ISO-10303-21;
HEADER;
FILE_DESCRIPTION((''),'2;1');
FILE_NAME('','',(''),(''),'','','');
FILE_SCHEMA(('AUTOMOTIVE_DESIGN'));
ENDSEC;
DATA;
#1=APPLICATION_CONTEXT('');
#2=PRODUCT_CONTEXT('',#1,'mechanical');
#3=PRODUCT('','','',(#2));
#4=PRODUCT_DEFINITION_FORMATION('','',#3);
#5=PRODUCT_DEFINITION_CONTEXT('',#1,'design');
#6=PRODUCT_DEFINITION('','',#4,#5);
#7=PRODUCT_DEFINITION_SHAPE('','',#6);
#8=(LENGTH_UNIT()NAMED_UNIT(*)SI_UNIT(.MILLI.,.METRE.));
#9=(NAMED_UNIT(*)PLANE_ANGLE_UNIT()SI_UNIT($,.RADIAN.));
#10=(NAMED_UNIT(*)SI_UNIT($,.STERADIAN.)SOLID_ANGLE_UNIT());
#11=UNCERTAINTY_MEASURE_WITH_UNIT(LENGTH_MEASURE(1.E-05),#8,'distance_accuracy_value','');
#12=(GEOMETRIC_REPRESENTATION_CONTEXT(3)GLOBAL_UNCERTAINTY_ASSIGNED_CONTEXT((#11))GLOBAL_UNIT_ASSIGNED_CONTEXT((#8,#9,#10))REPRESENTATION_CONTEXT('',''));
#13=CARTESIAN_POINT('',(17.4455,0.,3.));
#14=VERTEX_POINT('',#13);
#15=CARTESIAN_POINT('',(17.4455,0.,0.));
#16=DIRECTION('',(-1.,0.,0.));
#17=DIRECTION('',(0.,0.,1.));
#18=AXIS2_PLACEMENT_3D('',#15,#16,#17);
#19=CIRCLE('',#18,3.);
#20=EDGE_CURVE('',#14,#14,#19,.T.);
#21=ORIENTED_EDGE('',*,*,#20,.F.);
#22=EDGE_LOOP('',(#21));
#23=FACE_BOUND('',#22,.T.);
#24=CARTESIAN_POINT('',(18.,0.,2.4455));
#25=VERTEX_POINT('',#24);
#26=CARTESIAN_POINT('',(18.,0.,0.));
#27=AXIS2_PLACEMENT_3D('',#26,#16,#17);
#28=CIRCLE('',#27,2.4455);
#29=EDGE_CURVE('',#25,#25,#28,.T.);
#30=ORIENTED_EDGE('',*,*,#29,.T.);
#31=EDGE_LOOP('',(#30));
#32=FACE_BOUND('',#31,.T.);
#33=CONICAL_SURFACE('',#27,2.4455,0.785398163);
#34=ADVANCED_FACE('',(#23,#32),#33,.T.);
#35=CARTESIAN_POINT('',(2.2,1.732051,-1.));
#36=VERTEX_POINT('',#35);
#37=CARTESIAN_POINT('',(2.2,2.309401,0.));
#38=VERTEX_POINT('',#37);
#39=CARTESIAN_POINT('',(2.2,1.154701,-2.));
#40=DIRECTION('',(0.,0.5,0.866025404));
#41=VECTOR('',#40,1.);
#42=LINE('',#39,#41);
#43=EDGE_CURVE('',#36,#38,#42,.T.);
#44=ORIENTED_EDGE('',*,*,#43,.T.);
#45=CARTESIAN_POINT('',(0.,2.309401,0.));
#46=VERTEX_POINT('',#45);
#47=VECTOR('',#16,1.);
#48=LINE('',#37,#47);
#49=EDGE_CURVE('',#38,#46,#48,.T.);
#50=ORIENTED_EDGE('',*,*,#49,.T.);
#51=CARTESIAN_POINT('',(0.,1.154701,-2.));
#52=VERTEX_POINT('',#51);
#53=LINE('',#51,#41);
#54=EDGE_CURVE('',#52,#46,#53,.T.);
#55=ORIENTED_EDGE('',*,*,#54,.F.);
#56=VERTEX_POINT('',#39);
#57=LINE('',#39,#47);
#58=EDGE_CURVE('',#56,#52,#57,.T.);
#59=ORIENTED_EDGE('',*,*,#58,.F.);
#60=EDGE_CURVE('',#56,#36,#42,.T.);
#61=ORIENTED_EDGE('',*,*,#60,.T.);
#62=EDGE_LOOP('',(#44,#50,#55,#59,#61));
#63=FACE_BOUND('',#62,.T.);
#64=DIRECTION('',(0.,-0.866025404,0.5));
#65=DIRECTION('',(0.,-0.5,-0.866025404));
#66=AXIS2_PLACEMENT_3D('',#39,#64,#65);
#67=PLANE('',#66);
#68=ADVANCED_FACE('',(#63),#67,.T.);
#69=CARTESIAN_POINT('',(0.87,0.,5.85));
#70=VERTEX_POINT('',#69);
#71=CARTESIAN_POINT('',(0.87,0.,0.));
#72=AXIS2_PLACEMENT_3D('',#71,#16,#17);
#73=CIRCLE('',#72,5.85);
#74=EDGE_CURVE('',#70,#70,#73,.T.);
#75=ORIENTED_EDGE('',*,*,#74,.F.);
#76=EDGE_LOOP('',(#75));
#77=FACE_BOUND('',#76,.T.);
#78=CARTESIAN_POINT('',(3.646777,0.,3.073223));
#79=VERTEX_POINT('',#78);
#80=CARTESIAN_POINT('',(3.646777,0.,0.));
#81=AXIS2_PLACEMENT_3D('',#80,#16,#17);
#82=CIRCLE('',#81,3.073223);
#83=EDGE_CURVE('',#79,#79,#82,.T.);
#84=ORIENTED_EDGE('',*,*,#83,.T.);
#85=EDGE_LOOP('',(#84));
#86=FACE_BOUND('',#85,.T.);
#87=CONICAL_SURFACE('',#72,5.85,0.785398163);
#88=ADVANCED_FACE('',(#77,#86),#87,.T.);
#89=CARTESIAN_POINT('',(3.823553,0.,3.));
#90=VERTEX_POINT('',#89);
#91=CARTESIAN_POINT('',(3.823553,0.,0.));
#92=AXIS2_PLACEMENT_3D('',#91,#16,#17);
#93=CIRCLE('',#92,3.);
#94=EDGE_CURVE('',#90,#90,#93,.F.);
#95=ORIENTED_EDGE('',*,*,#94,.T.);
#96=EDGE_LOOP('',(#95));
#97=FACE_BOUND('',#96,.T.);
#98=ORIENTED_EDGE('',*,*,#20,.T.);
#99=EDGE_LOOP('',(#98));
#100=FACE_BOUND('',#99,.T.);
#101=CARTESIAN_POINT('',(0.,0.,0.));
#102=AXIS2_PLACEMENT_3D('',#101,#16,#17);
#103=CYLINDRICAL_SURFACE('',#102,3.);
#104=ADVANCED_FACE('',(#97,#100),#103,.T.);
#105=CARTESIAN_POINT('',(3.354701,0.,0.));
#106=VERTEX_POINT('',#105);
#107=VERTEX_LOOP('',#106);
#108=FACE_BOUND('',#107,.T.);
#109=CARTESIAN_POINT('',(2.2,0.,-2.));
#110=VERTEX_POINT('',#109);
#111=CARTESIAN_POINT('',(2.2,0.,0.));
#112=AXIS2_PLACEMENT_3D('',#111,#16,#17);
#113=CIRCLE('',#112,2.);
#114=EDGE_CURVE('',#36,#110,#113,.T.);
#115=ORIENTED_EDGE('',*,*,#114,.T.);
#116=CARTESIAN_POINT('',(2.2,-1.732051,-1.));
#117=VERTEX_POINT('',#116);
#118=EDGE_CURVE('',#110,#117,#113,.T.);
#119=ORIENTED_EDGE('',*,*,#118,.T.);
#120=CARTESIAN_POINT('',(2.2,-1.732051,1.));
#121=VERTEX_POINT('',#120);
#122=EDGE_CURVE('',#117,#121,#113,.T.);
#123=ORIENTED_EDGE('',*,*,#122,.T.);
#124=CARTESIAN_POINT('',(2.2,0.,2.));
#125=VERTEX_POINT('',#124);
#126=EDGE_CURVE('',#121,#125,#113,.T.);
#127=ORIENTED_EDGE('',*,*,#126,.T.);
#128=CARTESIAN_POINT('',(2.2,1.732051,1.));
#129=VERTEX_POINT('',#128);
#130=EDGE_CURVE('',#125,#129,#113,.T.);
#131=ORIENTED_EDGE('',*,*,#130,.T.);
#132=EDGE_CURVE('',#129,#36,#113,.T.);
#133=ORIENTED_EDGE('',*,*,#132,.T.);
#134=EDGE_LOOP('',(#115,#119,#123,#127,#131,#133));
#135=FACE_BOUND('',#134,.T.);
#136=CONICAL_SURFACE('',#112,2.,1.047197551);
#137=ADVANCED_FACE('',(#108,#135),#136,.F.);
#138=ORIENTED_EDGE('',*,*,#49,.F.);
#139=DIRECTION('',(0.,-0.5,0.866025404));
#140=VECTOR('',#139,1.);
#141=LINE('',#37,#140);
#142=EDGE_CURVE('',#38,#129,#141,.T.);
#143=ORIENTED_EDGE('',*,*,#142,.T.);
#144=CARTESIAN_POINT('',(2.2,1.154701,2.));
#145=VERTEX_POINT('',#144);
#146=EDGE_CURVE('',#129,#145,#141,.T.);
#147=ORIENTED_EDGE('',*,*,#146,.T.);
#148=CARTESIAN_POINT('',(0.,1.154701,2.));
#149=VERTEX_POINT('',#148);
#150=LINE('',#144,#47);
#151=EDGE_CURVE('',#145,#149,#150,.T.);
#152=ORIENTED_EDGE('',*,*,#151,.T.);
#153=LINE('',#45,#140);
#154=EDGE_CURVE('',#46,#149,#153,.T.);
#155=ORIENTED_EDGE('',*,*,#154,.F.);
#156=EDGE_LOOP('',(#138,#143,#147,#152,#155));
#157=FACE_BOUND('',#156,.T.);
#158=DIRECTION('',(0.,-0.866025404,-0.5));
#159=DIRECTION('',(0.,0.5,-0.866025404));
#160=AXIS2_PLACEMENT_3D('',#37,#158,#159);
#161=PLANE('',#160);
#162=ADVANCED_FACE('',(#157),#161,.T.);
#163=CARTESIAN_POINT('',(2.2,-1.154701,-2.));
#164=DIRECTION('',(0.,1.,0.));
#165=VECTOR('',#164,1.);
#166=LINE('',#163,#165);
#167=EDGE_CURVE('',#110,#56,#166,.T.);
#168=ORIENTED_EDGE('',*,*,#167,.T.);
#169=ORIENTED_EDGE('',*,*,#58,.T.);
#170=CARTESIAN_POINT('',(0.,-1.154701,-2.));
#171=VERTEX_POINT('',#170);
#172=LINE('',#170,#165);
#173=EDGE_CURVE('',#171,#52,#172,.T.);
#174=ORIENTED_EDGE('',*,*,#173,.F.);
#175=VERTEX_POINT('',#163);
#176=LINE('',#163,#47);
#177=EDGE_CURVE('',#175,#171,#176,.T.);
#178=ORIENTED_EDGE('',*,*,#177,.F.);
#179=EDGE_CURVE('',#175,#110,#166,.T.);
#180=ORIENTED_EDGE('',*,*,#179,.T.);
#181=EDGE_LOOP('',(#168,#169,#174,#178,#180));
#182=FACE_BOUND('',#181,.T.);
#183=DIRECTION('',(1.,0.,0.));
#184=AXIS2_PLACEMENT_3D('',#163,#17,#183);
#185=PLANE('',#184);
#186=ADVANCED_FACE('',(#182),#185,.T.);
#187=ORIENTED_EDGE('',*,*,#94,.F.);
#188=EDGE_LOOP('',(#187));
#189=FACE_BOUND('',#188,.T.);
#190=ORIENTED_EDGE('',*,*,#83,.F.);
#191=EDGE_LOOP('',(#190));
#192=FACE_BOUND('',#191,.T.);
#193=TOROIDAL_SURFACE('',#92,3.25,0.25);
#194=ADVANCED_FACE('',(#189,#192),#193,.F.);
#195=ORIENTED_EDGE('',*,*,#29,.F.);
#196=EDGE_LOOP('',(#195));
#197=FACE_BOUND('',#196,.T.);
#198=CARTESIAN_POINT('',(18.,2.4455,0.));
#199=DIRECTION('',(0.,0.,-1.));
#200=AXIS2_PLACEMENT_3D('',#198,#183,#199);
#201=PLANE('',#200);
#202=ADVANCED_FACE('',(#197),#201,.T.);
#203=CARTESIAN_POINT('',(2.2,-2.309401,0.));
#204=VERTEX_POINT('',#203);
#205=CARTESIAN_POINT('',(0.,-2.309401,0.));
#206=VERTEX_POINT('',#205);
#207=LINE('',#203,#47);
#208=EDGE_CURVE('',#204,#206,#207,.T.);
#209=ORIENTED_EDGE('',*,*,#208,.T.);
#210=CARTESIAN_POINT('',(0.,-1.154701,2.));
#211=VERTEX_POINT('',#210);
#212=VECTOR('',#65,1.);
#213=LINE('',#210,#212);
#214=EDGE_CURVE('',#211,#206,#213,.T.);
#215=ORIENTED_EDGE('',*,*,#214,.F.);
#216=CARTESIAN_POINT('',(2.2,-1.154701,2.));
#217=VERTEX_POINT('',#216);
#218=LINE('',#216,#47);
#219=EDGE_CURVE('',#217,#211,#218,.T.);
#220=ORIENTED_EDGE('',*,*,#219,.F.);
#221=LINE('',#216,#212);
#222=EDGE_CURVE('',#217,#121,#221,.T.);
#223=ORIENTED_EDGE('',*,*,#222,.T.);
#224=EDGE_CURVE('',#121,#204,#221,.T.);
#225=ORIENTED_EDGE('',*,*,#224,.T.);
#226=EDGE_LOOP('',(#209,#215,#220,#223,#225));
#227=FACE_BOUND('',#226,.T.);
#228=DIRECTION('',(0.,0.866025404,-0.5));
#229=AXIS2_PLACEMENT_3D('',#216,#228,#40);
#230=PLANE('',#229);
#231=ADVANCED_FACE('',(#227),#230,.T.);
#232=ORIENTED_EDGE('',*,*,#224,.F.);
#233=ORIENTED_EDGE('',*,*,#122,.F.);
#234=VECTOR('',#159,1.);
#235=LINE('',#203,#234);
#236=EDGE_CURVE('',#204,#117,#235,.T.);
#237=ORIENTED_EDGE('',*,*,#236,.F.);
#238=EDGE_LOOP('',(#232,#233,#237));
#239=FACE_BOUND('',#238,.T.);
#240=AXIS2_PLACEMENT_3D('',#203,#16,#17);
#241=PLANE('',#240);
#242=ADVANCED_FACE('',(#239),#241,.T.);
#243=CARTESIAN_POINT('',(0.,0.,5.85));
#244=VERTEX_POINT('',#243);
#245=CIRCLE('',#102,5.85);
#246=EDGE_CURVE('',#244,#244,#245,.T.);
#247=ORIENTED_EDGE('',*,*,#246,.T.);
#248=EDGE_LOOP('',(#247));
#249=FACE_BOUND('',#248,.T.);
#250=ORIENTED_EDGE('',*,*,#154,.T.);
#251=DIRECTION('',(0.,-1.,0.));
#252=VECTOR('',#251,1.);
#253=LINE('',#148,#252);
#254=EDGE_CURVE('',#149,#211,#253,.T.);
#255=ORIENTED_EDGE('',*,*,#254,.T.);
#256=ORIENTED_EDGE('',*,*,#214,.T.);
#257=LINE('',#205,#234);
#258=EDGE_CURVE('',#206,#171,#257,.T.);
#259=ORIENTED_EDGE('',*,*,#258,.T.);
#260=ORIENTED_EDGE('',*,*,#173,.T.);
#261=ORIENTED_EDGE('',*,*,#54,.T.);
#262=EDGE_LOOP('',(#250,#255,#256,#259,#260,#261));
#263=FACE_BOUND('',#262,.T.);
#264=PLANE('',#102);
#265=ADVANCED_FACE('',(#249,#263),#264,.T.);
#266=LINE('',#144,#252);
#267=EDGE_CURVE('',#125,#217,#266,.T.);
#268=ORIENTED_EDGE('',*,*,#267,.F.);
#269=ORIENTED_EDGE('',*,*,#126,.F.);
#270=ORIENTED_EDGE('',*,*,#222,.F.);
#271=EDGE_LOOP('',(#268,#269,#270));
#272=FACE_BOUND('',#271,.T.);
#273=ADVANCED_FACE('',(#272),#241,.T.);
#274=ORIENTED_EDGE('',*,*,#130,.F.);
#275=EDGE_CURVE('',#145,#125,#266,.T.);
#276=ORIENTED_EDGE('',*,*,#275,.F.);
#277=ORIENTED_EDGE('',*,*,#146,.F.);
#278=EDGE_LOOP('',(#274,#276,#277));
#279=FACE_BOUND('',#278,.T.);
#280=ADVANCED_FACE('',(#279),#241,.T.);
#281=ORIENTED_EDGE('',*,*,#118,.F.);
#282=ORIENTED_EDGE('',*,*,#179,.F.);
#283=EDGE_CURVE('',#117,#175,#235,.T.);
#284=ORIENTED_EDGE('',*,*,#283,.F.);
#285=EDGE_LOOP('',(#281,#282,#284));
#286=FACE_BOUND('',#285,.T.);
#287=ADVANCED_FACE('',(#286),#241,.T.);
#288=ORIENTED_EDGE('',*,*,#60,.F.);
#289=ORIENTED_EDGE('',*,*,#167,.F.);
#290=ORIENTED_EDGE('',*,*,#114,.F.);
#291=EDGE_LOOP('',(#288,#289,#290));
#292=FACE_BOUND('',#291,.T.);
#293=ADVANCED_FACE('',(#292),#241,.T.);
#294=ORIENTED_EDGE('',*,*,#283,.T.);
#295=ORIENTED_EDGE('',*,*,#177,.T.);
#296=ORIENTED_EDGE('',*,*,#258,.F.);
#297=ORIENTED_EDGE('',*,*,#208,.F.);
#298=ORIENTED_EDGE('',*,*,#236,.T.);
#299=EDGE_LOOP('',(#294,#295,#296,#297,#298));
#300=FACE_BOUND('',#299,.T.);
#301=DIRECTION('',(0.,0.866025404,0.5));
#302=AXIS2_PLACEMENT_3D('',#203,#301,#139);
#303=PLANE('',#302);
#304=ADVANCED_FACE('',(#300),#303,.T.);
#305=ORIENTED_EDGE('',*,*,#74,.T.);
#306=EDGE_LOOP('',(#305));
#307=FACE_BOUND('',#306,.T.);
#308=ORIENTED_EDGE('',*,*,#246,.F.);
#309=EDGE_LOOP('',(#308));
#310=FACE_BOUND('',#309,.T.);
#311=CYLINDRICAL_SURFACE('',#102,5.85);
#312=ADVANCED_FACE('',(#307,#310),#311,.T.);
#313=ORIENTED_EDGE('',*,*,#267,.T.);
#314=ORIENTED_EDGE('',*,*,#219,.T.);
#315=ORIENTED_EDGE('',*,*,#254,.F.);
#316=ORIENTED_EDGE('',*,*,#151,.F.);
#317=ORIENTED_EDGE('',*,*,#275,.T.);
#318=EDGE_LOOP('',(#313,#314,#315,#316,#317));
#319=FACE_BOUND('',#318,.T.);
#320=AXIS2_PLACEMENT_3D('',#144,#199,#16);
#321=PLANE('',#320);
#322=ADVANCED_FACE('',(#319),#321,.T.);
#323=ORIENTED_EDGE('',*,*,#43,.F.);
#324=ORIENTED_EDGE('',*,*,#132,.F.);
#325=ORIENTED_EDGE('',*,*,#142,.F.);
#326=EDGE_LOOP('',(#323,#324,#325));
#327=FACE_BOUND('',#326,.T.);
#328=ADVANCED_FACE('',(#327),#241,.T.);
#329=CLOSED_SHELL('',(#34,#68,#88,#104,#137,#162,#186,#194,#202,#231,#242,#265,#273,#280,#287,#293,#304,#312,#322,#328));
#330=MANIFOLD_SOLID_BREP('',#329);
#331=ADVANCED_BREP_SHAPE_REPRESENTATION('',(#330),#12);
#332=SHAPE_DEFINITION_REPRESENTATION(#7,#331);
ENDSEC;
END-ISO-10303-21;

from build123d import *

# Parameters (mm, degrees)
FILLET1_R   = 0.25
HEX_2_DEPTH = 2.2


with BuildPart() as part:
    # BodySke → BaseBody (revolve)
    with BuildSketch(Plane.XY, mode=Mode.PRIVATE) as basebody_sk:
        Polygon((0, 0), (0, 5.85), (0.87, 5.85), (3.72, 3), (17.4455, 3), (18, 2.4455), (18, 0), align=None)
    revolve(basebody_sk.sketch.rotate(Axis((0, 0, 0), (1, 0, 0)), 90), axis=Axis((0, 0, 0), (1, 0, 0)))

    # Fillet1
    fillet1_edges = [part.edges().sort_by_distance(p)[0] for p in [
        (3.72, 0, -3),
    ]]
    fillet(fillet1_edges, radius=FILLET1_R)

    # Sketch2 → PreBroach (revolve, cut)
    with BuildSketch(Plane.XY, mode=Mode.PRIVATE) as prebroach_sk:
        Polygon((0, 2), (2.2, 2), (3.354700538, 0), (0, 0), align=None)
    revolve(prebroach_sk.sketch.rotate(Axis((0, 0, 0), (1, 0, 0)), 90), axis=Axis((0, 0, 0), (1, 0, 0)), mode=Mode.SUBTRACT)

    # Sketch3 → Hex 2 (cut)
    with BuildSketch(Plane.ZY):
        Polygon((-2, -1.154700538), (-2, 1.154700538), (0, 2.309401077), (2, 1.154700538), (2, -1.154700538), (0, -2.309401077), align=None)
    extrude(amount=-HEX_2_DEPTH, mode=Mode.SUBTRACT)


solid = part.part
